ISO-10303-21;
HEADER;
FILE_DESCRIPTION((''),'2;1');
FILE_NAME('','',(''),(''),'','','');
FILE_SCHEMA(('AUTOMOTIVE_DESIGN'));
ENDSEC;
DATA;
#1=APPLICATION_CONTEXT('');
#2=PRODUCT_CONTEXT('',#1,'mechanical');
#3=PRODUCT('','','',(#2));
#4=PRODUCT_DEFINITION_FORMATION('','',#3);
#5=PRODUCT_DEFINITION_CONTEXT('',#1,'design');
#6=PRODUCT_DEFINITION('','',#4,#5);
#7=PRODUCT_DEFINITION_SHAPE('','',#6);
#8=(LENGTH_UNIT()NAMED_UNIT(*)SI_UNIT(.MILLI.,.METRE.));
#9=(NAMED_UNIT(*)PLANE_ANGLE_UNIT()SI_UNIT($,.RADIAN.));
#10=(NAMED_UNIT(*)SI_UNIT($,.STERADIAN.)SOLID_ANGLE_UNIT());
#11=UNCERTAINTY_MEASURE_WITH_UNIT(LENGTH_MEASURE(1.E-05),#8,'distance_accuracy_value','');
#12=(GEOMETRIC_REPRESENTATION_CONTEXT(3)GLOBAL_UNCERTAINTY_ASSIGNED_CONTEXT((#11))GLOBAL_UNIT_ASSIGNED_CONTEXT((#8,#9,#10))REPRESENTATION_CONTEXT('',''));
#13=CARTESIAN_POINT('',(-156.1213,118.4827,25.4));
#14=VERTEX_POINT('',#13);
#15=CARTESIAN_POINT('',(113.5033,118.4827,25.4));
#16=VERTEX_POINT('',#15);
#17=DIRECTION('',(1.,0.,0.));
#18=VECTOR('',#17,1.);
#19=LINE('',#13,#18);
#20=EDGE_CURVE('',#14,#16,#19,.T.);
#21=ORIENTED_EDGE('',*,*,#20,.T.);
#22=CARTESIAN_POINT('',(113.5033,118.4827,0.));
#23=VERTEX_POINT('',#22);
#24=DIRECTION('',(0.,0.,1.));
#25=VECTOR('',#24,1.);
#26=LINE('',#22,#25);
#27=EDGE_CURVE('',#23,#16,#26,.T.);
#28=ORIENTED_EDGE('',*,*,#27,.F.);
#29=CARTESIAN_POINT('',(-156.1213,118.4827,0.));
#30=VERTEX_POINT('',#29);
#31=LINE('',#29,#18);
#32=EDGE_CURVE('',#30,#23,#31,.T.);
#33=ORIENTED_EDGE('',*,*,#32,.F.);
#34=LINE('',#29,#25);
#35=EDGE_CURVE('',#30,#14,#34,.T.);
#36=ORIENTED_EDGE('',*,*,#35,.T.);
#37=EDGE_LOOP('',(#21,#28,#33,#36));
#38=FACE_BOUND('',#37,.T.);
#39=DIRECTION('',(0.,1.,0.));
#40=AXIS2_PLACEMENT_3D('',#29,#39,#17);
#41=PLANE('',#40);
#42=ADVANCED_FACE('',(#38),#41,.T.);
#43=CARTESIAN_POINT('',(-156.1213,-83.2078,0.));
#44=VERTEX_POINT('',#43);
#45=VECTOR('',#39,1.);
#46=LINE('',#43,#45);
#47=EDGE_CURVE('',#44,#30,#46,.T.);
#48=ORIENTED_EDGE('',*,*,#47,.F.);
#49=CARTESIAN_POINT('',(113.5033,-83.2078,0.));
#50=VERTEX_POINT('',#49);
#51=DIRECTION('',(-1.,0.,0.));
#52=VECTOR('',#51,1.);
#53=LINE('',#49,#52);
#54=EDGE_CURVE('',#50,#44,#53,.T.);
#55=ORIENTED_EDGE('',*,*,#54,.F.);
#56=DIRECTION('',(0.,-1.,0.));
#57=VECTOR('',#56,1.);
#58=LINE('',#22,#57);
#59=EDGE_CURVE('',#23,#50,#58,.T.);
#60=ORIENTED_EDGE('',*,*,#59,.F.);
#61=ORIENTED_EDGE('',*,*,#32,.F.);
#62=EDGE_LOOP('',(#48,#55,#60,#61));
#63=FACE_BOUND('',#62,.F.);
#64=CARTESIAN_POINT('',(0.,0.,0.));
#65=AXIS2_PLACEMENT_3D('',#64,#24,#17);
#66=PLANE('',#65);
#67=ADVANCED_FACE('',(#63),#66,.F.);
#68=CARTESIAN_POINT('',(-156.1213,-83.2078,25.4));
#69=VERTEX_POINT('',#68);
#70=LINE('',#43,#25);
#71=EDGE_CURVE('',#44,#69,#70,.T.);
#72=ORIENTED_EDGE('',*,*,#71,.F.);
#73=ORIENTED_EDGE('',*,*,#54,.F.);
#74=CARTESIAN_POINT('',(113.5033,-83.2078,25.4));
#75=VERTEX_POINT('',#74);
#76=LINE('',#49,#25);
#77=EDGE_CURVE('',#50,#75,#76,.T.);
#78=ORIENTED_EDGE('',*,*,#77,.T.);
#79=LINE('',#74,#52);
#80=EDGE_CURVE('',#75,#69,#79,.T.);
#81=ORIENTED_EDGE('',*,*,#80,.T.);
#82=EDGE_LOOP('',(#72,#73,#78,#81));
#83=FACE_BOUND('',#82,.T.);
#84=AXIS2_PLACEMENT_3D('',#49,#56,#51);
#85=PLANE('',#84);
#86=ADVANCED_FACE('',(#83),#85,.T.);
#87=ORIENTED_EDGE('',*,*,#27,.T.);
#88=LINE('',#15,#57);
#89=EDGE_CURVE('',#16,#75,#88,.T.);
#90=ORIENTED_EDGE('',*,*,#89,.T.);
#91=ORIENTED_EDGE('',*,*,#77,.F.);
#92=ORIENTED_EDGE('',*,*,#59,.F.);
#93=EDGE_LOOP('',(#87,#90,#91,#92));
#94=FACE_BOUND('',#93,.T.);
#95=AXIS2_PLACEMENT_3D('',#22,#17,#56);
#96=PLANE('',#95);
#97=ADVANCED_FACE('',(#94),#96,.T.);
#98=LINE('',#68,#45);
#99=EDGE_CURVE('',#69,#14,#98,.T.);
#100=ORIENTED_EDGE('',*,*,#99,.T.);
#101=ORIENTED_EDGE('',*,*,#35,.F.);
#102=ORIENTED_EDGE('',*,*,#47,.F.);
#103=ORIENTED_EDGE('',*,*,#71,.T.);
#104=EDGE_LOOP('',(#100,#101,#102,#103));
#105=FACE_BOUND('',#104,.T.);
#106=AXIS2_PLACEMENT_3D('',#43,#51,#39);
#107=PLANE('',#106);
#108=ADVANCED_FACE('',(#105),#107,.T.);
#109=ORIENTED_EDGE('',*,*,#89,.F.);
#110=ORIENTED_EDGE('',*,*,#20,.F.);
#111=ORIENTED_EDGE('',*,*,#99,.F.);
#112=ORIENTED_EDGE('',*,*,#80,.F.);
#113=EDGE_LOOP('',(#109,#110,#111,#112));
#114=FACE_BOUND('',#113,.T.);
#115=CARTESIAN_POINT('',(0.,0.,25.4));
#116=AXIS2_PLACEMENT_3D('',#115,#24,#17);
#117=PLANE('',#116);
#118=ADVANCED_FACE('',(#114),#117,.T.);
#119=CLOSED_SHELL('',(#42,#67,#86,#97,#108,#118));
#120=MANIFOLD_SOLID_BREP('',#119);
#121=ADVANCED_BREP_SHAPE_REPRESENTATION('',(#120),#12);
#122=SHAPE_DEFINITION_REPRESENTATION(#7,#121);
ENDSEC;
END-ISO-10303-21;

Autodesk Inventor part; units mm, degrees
ref_plane "YZ Plane" through (0, 0, 0) normal (1, 0, 0) x (0, 1, 0)
ref_plane "XZ Plane" through (0, 0, 0) normal (0, 1, 0) x (-1, 0, 0)
ref_plane "XY Plane" through (0, 0, 0) normal (0, 0, 1) x (1, 0, 0)
sketch "Sketch1" plane through (0, 0, 0) normal (0, 0, 1) x (1, 0, 0)
  line L0 (-156.1213, 118.4827) -> (113.5033, 118.4827)
  line L1 (113.5033, 118.4827) -> (113.5033, -83.2078)
  line L2 (113.5033, -83.2078) -> (-156.1213, -83.2078)
  line L3 (-156.1213, -83.2078) -> (-156.1213, 118.4827)
  point P0 (0, 0)
extrude "Extrusion1" add sketch "Sketch1" along normal blind 25.4
properties part number "BOX"
